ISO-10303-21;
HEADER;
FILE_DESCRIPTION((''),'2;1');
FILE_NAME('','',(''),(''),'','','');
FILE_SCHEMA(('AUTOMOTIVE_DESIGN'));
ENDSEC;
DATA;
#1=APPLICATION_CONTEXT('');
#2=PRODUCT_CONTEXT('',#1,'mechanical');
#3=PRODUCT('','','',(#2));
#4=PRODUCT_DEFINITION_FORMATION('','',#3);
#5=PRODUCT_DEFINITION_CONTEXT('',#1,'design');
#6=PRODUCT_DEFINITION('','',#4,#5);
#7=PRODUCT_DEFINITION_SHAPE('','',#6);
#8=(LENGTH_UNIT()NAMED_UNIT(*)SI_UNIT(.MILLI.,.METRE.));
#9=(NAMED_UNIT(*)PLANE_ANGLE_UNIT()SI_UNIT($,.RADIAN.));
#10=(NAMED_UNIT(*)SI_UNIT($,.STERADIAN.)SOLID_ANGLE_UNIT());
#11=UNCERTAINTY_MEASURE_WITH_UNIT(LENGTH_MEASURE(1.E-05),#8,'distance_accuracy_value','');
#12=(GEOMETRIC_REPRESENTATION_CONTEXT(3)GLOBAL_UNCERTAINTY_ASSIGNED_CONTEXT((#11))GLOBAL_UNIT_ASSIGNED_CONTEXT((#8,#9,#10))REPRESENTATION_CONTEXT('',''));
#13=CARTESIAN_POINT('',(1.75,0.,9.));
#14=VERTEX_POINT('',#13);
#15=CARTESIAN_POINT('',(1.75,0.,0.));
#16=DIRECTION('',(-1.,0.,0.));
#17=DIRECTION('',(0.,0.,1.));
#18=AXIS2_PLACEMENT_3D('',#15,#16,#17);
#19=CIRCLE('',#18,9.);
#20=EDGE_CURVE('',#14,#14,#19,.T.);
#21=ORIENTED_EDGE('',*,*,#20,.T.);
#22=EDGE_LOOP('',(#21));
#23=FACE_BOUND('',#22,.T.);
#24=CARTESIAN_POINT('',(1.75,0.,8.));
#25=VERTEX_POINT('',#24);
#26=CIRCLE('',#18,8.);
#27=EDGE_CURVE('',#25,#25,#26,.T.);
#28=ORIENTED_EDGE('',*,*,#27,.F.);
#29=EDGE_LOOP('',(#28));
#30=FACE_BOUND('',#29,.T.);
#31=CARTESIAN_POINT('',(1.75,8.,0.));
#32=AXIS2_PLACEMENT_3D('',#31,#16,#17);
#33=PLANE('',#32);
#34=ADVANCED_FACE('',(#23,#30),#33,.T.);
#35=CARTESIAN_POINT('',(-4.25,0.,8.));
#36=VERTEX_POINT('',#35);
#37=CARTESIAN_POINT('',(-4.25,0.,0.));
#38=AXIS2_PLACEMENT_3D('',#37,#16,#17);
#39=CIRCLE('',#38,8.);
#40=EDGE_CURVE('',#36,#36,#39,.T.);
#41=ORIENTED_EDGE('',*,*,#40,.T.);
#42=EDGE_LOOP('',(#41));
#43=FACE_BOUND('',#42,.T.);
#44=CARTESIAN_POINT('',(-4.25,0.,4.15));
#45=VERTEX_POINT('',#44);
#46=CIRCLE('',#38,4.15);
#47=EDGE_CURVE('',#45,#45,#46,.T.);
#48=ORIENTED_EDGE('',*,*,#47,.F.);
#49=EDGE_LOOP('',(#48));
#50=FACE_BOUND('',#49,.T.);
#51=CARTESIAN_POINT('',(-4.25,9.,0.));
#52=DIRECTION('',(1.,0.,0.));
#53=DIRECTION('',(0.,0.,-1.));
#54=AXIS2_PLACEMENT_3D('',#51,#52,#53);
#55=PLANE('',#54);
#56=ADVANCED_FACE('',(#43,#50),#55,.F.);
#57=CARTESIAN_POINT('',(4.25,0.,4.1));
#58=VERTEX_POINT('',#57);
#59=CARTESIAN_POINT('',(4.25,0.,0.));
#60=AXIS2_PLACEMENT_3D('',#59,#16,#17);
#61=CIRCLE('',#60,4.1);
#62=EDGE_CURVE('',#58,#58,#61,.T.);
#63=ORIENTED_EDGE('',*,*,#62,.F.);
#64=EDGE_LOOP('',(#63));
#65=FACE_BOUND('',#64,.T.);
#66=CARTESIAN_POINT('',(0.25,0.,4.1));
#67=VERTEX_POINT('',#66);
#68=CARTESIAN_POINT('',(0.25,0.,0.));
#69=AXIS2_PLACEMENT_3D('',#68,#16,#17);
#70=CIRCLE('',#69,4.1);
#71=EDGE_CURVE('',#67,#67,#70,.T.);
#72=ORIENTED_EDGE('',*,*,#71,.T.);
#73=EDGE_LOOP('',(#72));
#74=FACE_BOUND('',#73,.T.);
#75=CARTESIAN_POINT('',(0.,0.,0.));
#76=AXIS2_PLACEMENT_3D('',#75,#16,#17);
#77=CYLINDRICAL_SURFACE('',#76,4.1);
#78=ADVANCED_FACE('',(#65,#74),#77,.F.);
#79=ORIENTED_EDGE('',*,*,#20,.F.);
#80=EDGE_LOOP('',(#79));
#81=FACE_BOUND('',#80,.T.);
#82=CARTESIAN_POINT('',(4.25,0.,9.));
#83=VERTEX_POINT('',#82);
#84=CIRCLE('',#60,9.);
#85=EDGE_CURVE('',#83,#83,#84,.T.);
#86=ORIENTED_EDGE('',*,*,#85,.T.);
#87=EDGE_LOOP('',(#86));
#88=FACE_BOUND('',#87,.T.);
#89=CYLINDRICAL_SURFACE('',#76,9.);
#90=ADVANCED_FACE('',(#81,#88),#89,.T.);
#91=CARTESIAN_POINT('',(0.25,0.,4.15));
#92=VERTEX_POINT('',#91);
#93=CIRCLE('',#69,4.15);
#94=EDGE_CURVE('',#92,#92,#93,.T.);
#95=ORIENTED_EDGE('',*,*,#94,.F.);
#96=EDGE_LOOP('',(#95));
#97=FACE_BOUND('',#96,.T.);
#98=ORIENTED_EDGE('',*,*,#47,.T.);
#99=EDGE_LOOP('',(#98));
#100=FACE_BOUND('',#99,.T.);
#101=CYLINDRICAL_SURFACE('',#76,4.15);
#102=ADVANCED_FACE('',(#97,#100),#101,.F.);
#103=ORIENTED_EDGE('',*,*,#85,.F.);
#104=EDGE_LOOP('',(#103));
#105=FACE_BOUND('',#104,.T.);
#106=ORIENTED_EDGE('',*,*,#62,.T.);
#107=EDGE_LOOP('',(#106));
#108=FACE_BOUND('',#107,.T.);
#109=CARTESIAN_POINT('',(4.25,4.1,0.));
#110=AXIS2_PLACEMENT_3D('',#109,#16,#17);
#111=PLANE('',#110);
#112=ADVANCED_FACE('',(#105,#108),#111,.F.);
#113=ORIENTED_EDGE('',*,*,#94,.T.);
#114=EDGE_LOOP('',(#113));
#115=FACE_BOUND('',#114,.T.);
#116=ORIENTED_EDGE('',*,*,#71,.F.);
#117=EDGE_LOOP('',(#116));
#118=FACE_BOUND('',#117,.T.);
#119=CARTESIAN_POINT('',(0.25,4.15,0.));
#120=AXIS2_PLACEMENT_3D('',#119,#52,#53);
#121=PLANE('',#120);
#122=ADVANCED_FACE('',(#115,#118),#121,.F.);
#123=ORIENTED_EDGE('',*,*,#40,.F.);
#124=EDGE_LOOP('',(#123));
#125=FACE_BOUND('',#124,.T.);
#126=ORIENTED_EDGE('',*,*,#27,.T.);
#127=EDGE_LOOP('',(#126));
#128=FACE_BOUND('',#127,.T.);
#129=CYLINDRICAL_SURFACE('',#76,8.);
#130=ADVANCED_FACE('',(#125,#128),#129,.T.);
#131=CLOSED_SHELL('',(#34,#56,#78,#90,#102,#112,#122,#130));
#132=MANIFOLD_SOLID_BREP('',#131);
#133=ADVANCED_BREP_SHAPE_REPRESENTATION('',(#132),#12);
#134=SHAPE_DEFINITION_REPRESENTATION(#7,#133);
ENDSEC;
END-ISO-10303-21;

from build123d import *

# Parameters (mm, degrees)
SKETCH2_W = 6
SKETCH2_H = 1


with BuildPart() as part:
    # Sketch1 → Revolve1 (revolve)
    with BuildSketch(Plane.XY, mode=Mode.PRIVATE) as revolve1_sk:
        Polygon((-4.25, 9), (4.25, 9), (4.25, 4.1), (0.25, 4.1), (0.25, 4.15), (-4.25, 4.15), align=None)
    revolve(revolve1_sk.sketch.rotate(Axis((0, 0, 0), (1, 0, 0)), 90), axis=Axis((0, 0, 0), (1, 0, 0)))

    # Sketch2 → Cut-Revolve1 (revolve, cut)
    with BuildSketch(Plane.XY, mode=Mode.PRIVATE) as cut_revolve1_sk:
        with Locations((-1.25, 8.5)):
            Rectangle(SKETCH2_W, SKETCH2_H)
    revolve(cut_revolve1_sk.sketch.rotate(Axis((0, 0, 0), (1, 0, 0)), 90), axis=Axis((0, 0, 0), (1, 0, 0)), mode=Mode.SUBTRACT)


solid = part.part
